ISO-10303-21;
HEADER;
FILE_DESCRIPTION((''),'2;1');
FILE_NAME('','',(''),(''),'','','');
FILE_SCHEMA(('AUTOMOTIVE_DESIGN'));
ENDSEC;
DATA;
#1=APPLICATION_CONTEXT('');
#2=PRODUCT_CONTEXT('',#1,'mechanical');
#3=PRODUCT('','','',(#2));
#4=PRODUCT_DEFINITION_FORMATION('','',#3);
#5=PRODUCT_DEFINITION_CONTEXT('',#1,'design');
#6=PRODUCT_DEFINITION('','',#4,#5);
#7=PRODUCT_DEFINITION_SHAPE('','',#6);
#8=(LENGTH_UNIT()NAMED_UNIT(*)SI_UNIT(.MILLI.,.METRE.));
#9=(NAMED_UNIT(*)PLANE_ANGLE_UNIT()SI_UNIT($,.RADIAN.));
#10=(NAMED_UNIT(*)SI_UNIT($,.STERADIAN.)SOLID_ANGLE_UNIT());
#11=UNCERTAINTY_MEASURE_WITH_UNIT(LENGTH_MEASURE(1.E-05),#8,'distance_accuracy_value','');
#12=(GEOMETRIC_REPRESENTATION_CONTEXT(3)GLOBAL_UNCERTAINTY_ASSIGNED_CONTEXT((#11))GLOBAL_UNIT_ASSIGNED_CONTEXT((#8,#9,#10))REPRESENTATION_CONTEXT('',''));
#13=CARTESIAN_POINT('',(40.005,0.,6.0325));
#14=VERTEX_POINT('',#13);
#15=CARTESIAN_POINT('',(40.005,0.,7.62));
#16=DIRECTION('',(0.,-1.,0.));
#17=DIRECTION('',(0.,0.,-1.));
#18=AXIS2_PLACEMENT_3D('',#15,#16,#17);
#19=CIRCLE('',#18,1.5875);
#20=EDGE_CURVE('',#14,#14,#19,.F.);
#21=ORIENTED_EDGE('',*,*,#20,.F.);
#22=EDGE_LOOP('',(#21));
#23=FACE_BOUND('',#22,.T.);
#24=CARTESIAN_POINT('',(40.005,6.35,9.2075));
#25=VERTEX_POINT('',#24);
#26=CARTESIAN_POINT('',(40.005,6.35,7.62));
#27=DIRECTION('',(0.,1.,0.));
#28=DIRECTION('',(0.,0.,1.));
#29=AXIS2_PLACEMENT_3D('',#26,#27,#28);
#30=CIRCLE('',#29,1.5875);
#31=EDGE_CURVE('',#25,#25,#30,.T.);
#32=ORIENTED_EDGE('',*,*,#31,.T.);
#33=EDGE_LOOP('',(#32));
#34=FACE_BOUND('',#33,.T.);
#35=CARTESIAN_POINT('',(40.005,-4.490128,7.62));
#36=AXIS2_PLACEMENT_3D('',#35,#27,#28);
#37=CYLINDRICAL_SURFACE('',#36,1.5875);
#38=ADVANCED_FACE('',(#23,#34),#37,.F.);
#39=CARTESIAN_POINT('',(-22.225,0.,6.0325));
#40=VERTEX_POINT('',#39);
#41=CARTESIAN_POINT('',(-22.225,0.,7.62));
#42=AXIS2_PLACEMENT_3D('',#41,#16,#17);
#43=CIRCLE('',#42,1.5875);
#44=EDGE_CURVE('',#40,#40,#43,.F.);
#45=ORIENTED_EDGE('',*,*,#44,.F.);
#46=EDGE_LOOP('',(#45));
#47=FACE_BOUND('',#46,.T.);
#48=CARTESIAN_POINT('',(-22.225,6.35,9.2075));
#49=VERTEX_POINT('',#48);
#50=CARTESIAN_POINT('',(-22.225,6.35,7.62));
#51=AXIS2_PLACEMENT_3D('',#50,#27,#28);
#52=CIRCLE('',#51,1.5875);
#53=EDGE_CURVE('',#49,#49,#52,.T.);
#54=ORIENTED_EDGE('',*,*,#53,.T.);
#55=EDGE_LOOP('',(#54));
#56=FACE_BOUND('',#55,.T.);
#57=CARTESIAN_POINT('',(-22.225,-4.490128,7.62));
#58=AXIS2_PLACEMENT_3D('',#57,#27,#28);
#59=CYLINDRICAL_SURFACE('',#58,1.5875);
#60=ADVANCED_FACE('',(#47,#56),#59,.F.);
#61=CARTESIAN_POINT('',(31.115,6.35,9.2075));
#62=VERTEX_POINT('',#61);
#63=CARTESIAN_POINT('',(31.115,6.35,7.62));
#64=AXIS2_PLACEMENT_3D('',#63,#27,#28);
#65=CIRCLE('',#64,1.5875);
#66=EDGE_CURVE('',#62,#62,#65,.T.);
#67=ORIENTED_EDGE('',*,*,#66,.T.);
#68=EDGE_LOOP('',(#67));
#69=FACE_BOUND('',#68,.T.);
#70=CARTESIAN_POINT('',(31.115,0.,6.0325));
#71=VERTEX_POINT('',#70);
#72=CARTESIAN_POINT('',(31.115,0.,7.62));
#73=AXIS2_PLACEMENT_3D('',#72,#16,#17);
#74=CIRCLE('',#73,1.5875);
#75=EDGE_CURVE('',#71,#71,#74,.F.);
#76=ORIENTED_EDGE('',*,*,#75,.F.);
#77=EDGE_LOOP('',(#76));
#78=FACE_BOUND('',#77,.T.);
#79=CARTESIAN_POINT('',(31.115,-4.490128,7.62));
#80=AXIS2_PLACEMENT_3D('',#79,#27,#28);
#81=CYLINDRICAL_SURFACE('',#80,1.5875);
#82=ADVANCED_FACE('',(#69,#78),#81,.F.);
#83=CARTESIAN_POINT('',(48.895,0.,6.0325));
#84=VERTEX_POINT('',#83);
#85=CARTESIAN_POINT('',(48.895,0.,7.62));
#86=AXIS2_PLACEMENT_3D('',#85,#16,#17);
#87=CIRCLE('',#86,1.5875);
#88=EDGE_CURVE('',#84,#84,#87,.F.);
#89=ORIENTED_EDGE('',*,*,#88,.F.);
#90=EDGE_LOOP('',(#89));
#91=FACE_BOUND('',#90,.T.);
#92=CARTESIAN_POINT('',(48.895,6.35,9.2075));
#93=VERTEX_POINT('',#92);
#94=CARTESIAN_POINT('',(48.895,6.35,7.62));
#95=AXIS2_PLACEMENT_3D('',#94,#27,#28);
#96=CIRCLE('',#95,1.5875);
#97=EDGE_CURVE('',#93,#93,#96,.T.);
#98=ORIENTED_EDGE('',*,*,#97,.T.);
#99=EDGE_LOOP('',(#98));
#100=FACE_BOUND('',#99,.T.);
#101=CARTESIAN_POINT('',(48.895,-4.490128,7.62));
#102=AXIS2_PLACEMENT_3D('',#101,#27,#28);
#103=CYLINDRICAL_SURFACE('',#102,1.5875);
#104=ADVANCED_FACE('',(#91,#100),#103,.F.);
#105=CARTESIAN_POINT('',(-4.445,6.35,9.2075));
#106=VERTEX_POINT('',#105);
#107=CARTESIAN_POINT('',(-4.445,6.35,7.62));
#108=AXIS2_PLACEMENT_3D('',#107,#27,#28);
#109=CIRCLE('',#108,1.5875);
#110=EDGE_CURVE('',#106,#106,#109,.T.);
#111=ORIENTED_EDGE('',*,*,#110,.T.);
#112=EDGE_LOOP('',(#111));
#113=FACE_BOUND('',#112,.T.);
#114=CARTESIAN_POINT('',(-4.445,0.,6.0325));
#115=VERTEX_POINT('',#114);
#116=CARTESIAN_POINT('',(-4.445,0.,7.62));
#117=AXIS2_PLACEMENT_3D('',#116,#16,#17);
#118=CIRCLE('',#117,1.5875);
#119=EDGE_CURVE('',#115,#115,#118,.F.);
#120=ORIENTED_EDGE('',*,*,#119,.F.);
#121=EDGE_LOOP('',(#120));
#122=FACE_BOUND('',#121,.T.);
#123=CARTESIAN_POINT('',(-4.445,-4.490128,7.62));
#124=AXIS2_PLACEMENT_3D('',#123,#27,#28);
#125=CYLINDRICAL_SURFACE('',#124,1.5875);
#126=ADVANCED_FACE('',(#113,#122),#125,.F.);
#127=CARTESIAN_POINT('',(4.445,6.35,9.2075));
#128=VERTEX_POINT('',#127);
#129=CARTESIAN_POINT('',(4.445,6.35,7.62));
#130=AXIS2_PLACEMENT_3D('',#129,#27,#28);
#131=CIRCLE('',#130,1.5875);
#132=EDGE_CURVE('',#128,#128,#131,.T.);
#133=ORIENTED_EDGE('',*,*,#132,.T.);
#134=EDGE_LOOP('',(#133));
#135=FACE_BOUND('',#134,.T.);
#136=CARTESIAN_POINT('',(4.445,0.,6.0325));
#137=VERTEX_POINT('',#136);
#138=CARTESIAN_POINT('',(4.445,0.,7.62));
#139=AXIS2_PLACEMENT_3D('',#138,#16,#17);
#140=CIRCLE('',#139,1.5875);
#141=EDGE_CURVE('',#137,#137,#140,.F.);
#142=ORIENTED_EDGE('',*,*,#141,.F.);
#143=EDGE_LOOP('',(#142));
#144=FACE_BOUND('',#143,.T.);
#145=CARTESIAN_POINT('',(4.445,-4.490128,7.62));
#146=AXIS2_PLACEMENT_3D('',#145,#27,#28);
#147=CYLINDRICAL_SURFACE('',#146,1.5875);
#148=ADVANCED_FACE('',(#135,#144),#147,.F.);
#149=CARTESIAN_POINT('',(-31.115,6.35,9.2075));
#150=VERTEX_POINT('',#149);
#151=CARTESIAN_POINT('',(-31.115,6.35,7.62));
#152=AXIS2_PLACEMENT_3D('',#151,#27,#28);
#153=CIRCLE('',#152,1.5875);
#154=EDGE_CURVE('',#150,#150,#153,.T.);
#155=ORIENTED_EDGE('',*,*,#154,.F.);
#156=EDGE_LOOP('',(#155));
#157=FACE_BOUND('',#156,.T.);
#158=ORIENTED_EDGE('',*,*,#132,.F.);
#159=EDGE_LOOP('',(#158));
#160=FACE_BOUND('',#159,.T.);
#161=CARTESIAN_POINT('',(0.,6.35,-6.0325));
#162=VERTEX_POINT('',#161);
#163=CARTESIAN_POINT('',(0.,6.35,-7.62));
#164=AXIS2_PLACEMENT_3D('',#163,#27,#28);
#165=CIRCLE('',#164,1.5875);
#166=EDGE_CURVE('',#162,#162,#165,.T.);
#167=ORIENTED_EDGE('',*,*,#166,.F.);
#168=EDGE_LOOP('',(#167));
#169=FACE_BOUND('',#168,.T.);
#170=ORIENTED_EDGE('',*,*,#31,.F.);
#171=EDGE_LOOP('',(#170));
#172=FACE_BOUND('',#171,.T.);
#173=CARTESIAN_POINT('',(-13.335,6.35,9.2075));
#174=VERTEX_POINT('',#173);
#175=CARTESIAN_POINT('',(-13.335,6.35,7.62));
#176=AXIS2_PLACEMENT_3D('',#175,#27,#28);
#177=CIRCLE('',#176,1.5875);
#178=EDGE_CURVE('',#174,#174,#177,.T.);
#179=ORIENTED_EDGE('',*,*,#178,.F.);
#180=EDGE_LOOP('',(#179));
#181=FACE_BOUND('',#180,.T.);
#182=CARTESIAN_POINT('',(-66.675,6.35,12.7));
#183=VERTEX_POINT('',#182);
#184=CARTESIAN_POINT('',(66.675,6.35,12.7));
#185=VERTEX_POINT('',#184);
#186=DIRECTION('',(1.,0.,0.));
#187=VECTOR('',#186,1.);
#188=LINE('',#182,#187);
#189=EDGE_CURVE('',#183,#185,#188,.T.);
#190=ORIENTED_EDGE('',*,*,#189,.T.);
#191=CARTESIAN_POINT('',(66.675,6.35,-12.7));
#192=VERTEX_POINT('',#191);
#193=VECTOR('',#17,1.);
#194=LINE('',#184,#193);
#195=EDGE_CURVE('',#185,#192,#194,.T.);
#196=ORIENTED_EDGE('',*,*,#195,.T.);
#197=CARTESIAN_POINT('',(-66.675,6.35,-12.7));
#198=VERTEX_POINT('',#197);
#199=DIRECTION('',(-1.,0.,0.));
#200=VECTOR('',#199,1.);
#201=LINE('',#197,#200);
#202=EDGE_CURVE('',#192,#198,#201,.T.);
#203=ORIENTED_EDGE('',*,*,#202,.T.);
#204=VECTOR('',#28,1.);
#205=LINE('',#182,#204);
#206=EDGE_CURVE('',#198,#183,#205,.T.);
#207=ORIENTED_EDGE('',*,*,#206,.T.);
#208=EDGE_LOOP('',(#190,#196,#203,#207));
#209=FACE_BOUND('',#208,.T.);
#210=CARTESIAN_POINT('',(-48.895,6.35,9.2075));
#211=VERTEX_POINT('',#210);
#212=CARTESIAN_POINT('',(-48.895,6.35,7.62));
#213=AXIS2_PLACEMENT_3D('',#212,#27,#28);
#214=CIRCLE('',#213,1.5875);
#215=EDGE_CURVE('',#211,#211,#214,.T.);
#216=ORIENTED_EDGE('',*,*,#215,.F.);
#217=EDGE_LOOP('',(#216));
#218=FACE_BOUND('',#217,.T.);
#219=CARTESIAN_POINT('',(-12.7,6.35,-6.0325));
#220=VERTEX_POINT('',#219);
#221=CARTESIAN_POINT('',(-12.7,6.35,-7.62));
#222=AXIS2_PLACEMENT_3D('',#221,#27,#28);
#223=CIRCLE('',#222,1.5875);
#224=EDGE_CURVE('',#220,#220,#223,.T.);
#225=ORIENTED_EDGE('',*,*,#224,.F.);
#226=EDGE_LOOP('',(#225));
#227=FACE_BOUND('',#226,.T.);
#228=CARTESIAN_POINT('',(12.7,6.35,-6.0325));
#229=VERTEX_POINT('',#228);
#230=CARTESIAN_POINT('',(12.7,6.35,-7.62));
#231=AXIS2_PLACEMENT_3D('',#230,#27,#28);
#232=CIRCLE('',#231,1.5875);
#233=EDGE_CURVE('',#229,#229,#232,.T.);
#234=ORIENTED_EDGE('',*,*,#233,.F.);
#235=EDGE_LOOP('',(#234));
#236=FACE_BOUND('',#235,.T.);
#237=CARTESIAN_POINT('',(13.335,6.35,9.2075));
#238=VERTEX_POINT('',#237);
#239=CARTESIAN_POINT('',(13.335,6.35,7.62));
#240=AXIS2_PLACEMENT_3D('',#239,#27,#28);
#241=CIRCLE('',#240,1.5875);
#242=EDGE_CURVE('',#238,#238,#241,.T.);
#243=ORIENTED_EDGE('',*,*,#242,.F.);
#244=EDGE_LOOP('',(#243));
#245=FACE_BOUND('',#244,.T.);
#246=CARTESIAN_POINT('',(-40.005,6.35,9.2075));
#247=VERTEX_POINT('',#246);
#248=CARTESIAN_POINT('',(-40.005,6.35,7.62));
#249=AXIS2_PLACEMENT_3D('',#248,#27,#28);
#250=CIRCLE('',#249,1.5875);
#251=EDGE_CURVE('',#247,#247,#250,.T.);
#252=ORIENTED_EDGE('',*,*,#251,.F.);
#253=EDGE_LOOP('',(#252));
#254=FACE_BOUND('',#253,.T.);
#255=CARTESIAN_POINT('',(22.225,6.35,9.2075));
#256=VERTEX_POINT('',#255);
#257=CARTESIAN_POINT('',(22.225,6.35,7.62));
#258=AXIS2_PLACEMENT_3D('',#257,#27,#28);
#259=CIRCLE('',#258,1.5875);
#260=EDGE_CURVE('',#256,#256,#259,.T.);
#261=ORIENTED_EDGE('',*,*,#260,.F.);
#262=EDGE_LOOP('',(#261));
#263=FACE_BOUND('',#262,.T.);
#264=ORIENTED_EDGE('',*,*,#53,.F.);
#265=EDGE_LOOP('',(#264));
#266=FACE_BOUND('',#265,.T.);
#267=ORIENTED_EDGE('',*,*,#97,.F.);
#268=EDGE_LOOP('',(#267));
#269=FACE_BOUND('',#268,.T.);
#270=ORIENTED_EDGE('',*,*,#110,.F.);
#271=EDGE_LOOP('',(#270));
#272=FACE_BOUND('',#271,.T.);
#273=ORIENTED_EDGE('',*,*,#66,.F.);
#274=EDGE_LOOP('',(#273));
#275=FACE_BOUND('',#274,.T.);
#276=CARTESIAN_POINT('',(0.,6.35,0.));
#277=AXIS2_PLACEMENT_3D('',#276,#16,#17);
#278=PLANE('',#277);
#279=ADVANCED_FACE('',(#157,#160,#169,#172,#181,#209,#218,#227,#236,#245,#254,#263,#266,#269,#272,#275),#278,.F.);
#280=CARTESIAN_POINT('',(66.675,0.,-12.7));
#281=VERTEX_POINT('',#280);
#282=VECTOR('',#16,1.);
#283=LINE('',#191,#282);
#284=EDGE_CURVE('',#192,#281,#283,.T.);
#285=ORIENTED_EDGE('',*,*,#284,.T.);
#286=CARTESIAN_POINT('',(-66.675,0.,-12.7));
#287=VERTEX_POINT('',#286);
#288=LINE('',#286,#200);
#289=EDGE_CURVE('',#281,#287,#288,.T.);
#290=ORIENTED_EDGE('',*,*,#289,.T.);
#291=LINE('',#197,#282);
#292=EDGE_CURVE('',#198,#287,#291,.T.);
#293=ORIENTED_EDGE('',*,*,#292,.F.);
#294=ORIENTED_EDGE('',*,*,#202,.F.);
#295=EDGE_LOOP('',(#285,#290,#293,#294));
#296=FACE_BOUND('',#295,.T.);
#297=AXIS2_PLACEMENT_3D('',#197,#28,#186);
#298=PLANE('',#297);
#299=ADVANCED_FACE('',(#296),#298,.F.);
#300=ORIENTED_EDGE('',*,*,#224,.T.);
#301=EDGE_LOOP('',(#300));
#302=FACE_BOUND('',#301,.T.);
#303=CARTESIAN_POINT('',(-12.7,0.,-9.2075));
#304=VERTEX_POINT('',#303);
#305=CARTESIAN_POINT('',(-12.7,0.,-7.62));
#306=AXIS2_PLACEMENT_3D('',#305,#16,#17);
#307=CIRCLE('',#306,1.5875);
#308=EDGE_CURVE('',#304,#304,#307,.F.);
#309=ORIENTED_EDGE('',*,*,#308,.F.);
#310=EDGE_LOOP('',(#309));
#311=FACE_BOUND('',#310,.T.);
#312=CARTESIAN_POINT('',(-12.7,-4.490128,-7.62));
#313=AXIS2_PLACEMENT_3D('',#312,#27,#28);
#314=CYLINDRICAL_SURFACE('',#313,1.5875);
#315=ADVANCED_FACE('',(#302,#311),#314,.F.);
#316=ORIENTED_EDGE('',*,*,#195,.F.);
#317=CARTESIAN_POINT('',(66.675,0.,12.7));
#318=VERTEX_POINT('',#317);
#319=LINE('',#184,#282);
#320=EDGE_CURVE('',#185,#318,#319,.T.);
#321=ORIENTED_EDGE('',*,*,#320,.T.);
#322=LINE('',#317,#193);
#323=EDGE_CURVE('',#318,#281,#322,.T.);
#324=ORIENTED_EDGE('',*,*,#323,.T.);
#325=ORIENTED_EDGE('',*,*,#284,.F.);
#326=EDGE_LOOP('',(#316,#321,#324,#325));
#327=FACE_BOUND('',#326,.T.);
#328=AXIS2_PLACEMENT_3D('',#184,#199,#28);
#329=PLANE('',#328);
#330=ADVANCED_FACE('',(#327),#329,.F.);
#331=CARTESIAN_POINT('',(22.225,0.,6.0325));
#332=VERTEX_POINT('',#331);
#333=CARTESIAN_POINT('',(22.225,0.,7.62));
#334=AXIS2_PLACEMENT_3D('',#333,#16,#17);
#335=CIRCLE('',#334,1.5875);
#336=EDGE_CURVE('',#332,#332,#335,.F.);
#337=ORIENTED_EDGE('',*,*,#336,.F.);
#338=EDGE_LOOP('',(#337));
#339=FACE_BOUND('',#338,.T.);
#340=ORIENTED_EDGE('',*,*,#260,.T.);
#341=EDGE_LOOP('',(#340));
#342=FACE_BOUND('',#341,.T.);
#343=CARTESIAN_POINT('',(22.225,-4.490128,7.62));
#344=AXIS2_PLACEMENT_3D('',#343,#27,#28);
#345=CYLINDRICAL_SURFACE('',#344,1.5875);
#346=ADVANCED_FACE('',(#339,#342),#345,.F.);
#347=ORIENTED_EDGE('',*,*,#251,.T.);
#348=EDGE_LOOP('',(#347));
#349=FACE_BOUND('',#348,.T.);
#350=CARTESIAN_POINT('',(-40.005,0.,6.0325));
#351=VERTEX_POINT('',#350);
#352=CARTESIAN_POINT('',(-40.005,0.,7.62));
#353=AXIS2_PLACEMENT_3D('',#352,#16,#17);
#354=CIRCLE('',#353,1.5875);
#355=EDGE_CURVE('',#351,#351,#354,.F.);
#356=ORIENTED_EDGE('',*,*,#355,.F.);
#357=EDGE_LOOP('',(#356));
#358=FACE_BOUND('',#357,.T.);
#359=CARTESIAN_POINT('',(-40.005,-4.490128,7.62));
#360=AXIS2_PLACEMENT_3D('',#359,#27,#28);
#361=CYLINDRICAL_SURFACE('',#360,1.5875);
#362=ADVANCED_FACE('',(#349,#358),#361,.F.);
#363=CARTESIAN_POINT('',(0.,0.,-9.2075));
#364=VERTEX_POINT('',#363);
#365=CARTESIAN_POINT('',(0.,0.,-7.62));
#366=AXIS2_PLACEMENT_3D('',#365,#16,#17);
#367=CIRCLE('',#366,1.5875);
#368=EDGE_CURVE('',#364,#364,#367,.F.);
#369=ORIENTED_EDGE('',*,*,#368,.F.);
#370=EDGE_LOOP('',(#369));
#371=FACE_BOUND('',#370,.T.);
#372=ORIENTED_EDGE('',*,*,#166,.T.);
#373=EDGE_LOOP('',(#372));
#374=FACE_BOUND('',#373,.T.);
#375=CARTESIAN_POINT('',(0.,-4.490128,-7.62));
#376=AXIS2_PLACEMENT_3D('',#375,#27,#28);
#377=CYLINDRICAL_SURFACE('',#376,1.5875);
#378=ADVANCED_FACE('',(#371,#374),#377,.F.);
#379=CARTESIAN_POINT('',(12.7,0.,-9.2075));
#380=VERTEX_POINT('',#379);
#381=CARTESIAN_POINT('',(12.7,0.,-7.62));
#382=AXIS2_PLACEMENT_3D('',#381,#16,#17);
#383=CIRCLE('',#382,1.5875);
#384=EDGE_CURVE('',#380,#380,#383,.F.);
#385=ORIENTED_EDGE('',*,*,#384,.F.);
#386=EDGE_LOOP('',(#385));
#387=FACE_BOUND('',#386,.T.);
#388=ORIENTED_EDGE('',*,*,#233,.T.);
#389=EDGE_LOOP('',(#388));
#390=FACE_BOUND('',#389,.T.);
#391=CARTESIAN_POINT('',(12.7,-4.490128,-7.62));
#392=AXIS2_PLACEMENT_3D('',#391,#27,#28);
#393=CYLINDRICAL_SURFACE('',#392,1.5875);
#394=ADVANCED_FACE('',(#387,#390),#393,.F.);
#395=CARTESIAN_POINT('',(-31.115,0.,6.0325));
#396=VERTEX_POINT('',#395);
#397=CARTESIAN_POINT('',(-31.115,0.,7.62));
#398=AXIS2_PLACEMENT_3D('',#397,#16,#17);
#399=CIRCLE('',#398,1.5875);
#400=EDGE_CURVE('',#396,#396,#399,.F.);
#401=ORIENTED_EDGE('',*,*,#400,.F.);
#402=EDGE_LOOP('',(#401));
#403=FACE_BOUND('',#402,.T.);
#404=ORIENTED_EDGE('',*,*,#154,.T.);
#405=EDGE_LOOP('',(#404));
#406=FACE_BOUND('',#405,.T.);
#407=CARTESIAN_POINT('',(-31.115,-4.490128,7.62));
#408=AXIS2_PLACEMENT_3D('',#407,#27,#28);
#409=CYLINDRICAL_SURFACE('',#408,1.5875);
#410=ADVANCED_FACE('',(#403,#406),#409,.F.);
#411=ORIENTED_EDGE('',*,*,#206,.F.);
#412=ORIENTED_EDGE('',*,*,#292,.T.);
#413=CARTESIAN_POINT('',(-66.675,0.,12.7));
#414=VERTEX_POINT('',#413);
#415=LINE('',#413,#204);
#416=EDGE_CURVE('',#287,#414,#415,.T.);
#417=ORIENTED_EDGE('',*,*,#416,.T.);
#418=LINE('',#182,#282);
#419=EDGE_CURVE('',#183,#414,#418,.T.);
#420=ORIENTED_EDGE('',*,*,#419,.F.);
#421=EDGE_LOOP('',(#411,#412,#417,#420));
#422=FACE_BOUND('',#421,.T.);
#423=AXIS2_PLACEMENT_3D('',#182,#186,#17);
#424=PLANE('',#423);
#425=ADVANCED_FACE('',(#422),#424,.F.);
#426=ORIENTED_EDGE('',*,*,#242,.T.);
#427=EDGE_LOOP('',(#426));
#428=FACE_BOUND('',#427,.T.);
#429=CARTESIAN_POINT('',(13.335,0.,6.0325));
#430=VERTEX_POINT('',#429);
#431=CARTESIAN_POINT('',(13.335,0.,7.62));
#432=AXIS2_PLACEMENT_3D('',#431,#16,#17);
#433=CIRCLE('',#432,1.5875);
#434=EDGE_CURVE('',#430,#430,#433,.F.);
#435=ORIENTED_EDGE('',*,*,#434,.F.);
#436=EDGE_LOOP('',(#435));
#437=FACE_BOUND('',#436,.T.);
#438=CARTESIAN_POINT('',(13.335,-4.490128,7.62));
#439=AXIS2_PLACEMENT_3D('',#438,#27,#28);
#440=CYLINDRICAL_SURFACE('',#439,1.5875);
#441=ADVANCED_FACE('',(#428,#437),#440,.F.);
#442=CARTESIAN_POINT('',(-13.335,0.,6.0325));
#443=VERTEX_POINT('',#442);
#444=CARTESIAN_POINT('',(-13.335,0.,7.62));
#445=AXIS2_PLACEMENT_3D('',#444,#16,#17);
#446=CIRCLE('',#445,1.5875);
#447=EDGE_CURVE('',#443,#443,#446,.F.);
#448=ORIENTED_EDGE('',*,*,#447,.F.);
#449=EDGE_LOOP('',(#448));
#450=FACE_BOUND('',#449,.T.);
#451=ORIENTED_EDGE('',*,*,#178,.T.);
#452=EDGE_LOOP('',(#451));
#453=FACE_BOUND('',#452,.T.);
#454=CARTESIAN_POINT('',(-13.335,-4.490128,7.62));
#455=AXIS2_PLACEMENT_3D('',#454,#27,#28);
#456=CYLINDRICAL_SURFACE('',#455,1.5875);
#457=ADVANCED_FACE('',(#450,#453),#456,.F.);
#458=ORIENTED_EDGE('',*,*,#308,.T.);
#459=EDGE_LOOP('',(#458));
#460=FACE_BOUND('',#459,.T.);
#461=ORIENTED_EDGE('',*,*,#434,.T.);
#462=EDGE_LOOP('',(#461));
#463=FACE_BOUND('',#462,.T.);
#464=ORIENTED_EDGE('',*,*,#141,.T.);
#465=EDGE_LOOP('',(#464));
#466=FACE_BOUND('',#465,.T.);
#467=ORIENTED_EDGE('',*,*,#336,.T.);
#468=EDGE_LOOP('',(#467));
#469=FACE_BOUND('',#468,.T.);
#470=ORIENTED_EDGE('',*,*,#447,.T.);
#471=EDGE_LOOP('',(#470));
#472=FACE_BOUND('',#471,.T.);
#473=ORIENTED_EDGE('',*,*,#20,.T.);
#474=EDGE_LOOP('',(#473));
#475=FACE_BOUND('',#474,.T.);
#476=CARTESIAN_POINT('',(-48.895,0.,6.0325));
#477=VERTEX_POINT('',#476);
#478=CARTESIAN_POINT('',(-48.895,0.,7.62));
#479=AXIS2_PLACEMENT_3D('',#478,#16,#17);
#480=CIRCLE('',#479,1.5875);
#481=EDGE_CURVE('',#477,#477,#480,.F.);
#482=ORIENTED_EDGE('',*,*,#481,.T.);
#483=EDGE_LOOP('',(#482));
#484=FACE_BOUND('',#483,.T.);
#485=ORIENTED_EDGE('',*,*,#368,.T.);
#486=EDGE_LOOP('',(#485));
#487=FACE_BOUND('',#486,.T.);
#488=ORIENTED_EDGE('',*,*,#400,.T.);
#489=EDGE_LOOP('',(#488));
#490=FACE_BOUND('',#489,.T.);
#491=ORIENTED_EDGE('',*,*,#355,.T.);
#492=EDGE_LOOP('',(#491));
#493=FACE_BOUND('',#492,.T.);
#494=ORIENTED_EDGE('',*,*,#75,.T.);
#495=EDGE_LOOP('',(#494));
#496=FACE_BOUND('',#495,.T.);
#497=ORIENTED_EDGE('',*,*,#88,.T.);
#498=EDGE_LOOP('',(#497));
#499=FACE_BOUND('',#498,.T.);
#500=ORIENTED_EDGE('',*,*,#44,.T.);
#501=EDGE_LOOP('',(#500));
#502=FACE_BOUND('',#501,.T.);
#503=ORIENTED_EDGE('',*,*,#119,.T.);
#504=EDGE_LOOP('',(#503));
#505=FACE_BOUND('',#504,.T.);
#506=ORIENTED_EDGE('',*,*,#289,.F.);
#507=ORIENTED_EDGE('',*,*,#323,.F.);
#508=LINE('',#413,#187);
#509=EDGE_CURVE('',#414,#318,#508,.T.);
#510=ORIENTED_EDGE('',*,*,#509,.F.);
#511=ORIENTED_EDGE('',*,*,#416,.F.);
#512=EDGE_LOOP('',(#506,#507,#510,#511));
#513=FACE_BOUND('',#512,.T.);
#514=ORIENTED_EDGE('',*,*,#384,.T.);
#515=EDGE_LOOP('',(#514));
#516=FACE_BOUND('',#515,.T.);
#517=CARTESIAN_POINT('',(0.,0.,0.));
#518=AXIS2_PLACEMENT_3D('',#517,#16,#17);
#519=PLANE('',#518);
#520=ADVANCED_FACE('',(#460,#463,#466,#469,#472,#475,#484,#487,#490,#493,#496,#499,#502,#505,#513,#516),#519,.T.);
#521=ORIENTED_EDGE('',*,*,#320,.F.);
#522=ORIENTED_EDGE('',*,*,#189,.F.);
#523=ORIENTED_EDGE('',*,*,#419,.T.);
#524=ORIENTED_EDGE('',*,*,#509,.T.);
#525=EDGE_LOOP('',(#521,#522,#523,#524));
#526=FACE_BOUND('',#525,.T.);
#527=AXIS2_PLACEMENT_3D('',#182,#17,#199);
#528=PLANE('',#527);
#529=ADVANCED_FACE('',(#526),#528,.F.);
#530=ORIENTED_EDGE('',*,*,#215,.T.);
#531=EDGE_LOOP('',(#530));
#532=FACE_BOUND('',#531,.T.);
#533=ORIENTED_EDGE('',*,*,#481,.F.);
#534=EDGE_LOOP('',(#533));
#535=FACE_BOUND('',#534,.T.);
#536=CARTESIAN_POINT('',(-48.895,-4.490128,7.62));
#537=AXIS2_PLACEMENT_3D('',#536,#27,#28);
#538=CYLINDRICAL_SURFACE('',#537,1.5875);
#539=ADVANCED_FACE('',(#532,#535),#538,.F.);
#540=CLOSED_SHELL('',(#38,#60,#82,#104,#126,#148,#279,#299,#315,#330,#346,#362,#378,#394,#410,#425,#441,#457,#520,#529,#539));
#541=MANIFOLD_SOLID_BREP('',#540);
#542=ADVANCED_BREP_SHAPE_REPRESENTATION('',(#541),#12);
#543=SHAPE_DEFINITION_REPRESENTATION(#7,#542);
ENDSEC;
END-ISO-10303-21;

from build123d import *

# Parameters (mm, degrees)
SKETCH1_W           = 133.35
SKETCH1_H           = 25.4
BOSS_EXTRUDE1_DEPTH = 6.35
SKETCH2_R           = 1.5875
CUT_EXTRUDE1_DEPTH  = 6.35


with BuildPart() as part:
    # Sketch1 → Boss-Extrude1 (new body)
    with BuildSketch(Plane(origin=(0, 0, 0), x_dir=(1, 0, 0), z_dir=(0, 1, 0))):
        Rectangle(SKETCH1_W, SKETCH1_H)
    extrude(amount=BOSS_EXTRUDE1_DEPTH)

    # Sketch2 → Cut-Extrude1 (cut)
    with BuildSketch(Plane(origin=(0, 6.35, 0), x_dir=(1, 0, 0), z_dir=(0, 1, 0))):
        with Locations(Location((0, 7.62, 0), (0, 0, 270))):
            Circle(SKETCH2_R)
        with Locations(Location((-12.7, 7.62, 0), (0, 0, 270))):
            Circle(SKETCH2_R)
        with Locations(Location((12.7, 7.62, 0), (0, 0, 270))):
            Circle(SKETCH2_R)
        with Locations(Location((-48.895, -7.62, 0), (0, 0, 270))):
            Circle(SKETCH2_R)
        with Locations(Location((-40.005, -7.62, 0), (0, 0, 270))):
            Circle(SKETCH2_R)
        with Locations(Location((-31.115, -7.62, 0), (0, 0, 270))):
            Circle(SKETCH2_R)
        with Locations(Location((-13.335, -7.62, 0), (0, 0, 270))):
            Circle(SKETCH2_R)
        with Locations(Location((-22.225, -7.62, 0), (0, 0, 270))):
            Circle(SKETCH2_R)
        with Locations(Location((-4.445, -7.62, 0), (0, 0, 270))):
            Circle(SKETCH2_R)
        with Locations(Location((4.445, -7.62, 0), (0, 0, 270))):
            Circle(SKETCH2_R)
        with Locations(Location((13.335, -7.62, 0), (0, 0, 270))):
            Circle(SKETCH2_R)
        with Locations(Location((22.225, -7.62, 0), (0, 0, 270))):
            Circle(SKETCH2_R)
        with Locations(Location((31.115, -7.62, 0), (0, 0, 270))):
            Circle(SKETCH2_R)
        with Locations(Location((40.005, -7.62, 0), (0, 0, 270))):
            Circle(SKETCH2_R)
        with Locations(Location((48.895, -7.62, 0), (0, 0, 270))):
            Circle(SKETCH2_R)
    extrude(amount=-CUT_EXTRUDE1_DEPTH, mode=Mode.SUBTRACT)


solid = part.part
